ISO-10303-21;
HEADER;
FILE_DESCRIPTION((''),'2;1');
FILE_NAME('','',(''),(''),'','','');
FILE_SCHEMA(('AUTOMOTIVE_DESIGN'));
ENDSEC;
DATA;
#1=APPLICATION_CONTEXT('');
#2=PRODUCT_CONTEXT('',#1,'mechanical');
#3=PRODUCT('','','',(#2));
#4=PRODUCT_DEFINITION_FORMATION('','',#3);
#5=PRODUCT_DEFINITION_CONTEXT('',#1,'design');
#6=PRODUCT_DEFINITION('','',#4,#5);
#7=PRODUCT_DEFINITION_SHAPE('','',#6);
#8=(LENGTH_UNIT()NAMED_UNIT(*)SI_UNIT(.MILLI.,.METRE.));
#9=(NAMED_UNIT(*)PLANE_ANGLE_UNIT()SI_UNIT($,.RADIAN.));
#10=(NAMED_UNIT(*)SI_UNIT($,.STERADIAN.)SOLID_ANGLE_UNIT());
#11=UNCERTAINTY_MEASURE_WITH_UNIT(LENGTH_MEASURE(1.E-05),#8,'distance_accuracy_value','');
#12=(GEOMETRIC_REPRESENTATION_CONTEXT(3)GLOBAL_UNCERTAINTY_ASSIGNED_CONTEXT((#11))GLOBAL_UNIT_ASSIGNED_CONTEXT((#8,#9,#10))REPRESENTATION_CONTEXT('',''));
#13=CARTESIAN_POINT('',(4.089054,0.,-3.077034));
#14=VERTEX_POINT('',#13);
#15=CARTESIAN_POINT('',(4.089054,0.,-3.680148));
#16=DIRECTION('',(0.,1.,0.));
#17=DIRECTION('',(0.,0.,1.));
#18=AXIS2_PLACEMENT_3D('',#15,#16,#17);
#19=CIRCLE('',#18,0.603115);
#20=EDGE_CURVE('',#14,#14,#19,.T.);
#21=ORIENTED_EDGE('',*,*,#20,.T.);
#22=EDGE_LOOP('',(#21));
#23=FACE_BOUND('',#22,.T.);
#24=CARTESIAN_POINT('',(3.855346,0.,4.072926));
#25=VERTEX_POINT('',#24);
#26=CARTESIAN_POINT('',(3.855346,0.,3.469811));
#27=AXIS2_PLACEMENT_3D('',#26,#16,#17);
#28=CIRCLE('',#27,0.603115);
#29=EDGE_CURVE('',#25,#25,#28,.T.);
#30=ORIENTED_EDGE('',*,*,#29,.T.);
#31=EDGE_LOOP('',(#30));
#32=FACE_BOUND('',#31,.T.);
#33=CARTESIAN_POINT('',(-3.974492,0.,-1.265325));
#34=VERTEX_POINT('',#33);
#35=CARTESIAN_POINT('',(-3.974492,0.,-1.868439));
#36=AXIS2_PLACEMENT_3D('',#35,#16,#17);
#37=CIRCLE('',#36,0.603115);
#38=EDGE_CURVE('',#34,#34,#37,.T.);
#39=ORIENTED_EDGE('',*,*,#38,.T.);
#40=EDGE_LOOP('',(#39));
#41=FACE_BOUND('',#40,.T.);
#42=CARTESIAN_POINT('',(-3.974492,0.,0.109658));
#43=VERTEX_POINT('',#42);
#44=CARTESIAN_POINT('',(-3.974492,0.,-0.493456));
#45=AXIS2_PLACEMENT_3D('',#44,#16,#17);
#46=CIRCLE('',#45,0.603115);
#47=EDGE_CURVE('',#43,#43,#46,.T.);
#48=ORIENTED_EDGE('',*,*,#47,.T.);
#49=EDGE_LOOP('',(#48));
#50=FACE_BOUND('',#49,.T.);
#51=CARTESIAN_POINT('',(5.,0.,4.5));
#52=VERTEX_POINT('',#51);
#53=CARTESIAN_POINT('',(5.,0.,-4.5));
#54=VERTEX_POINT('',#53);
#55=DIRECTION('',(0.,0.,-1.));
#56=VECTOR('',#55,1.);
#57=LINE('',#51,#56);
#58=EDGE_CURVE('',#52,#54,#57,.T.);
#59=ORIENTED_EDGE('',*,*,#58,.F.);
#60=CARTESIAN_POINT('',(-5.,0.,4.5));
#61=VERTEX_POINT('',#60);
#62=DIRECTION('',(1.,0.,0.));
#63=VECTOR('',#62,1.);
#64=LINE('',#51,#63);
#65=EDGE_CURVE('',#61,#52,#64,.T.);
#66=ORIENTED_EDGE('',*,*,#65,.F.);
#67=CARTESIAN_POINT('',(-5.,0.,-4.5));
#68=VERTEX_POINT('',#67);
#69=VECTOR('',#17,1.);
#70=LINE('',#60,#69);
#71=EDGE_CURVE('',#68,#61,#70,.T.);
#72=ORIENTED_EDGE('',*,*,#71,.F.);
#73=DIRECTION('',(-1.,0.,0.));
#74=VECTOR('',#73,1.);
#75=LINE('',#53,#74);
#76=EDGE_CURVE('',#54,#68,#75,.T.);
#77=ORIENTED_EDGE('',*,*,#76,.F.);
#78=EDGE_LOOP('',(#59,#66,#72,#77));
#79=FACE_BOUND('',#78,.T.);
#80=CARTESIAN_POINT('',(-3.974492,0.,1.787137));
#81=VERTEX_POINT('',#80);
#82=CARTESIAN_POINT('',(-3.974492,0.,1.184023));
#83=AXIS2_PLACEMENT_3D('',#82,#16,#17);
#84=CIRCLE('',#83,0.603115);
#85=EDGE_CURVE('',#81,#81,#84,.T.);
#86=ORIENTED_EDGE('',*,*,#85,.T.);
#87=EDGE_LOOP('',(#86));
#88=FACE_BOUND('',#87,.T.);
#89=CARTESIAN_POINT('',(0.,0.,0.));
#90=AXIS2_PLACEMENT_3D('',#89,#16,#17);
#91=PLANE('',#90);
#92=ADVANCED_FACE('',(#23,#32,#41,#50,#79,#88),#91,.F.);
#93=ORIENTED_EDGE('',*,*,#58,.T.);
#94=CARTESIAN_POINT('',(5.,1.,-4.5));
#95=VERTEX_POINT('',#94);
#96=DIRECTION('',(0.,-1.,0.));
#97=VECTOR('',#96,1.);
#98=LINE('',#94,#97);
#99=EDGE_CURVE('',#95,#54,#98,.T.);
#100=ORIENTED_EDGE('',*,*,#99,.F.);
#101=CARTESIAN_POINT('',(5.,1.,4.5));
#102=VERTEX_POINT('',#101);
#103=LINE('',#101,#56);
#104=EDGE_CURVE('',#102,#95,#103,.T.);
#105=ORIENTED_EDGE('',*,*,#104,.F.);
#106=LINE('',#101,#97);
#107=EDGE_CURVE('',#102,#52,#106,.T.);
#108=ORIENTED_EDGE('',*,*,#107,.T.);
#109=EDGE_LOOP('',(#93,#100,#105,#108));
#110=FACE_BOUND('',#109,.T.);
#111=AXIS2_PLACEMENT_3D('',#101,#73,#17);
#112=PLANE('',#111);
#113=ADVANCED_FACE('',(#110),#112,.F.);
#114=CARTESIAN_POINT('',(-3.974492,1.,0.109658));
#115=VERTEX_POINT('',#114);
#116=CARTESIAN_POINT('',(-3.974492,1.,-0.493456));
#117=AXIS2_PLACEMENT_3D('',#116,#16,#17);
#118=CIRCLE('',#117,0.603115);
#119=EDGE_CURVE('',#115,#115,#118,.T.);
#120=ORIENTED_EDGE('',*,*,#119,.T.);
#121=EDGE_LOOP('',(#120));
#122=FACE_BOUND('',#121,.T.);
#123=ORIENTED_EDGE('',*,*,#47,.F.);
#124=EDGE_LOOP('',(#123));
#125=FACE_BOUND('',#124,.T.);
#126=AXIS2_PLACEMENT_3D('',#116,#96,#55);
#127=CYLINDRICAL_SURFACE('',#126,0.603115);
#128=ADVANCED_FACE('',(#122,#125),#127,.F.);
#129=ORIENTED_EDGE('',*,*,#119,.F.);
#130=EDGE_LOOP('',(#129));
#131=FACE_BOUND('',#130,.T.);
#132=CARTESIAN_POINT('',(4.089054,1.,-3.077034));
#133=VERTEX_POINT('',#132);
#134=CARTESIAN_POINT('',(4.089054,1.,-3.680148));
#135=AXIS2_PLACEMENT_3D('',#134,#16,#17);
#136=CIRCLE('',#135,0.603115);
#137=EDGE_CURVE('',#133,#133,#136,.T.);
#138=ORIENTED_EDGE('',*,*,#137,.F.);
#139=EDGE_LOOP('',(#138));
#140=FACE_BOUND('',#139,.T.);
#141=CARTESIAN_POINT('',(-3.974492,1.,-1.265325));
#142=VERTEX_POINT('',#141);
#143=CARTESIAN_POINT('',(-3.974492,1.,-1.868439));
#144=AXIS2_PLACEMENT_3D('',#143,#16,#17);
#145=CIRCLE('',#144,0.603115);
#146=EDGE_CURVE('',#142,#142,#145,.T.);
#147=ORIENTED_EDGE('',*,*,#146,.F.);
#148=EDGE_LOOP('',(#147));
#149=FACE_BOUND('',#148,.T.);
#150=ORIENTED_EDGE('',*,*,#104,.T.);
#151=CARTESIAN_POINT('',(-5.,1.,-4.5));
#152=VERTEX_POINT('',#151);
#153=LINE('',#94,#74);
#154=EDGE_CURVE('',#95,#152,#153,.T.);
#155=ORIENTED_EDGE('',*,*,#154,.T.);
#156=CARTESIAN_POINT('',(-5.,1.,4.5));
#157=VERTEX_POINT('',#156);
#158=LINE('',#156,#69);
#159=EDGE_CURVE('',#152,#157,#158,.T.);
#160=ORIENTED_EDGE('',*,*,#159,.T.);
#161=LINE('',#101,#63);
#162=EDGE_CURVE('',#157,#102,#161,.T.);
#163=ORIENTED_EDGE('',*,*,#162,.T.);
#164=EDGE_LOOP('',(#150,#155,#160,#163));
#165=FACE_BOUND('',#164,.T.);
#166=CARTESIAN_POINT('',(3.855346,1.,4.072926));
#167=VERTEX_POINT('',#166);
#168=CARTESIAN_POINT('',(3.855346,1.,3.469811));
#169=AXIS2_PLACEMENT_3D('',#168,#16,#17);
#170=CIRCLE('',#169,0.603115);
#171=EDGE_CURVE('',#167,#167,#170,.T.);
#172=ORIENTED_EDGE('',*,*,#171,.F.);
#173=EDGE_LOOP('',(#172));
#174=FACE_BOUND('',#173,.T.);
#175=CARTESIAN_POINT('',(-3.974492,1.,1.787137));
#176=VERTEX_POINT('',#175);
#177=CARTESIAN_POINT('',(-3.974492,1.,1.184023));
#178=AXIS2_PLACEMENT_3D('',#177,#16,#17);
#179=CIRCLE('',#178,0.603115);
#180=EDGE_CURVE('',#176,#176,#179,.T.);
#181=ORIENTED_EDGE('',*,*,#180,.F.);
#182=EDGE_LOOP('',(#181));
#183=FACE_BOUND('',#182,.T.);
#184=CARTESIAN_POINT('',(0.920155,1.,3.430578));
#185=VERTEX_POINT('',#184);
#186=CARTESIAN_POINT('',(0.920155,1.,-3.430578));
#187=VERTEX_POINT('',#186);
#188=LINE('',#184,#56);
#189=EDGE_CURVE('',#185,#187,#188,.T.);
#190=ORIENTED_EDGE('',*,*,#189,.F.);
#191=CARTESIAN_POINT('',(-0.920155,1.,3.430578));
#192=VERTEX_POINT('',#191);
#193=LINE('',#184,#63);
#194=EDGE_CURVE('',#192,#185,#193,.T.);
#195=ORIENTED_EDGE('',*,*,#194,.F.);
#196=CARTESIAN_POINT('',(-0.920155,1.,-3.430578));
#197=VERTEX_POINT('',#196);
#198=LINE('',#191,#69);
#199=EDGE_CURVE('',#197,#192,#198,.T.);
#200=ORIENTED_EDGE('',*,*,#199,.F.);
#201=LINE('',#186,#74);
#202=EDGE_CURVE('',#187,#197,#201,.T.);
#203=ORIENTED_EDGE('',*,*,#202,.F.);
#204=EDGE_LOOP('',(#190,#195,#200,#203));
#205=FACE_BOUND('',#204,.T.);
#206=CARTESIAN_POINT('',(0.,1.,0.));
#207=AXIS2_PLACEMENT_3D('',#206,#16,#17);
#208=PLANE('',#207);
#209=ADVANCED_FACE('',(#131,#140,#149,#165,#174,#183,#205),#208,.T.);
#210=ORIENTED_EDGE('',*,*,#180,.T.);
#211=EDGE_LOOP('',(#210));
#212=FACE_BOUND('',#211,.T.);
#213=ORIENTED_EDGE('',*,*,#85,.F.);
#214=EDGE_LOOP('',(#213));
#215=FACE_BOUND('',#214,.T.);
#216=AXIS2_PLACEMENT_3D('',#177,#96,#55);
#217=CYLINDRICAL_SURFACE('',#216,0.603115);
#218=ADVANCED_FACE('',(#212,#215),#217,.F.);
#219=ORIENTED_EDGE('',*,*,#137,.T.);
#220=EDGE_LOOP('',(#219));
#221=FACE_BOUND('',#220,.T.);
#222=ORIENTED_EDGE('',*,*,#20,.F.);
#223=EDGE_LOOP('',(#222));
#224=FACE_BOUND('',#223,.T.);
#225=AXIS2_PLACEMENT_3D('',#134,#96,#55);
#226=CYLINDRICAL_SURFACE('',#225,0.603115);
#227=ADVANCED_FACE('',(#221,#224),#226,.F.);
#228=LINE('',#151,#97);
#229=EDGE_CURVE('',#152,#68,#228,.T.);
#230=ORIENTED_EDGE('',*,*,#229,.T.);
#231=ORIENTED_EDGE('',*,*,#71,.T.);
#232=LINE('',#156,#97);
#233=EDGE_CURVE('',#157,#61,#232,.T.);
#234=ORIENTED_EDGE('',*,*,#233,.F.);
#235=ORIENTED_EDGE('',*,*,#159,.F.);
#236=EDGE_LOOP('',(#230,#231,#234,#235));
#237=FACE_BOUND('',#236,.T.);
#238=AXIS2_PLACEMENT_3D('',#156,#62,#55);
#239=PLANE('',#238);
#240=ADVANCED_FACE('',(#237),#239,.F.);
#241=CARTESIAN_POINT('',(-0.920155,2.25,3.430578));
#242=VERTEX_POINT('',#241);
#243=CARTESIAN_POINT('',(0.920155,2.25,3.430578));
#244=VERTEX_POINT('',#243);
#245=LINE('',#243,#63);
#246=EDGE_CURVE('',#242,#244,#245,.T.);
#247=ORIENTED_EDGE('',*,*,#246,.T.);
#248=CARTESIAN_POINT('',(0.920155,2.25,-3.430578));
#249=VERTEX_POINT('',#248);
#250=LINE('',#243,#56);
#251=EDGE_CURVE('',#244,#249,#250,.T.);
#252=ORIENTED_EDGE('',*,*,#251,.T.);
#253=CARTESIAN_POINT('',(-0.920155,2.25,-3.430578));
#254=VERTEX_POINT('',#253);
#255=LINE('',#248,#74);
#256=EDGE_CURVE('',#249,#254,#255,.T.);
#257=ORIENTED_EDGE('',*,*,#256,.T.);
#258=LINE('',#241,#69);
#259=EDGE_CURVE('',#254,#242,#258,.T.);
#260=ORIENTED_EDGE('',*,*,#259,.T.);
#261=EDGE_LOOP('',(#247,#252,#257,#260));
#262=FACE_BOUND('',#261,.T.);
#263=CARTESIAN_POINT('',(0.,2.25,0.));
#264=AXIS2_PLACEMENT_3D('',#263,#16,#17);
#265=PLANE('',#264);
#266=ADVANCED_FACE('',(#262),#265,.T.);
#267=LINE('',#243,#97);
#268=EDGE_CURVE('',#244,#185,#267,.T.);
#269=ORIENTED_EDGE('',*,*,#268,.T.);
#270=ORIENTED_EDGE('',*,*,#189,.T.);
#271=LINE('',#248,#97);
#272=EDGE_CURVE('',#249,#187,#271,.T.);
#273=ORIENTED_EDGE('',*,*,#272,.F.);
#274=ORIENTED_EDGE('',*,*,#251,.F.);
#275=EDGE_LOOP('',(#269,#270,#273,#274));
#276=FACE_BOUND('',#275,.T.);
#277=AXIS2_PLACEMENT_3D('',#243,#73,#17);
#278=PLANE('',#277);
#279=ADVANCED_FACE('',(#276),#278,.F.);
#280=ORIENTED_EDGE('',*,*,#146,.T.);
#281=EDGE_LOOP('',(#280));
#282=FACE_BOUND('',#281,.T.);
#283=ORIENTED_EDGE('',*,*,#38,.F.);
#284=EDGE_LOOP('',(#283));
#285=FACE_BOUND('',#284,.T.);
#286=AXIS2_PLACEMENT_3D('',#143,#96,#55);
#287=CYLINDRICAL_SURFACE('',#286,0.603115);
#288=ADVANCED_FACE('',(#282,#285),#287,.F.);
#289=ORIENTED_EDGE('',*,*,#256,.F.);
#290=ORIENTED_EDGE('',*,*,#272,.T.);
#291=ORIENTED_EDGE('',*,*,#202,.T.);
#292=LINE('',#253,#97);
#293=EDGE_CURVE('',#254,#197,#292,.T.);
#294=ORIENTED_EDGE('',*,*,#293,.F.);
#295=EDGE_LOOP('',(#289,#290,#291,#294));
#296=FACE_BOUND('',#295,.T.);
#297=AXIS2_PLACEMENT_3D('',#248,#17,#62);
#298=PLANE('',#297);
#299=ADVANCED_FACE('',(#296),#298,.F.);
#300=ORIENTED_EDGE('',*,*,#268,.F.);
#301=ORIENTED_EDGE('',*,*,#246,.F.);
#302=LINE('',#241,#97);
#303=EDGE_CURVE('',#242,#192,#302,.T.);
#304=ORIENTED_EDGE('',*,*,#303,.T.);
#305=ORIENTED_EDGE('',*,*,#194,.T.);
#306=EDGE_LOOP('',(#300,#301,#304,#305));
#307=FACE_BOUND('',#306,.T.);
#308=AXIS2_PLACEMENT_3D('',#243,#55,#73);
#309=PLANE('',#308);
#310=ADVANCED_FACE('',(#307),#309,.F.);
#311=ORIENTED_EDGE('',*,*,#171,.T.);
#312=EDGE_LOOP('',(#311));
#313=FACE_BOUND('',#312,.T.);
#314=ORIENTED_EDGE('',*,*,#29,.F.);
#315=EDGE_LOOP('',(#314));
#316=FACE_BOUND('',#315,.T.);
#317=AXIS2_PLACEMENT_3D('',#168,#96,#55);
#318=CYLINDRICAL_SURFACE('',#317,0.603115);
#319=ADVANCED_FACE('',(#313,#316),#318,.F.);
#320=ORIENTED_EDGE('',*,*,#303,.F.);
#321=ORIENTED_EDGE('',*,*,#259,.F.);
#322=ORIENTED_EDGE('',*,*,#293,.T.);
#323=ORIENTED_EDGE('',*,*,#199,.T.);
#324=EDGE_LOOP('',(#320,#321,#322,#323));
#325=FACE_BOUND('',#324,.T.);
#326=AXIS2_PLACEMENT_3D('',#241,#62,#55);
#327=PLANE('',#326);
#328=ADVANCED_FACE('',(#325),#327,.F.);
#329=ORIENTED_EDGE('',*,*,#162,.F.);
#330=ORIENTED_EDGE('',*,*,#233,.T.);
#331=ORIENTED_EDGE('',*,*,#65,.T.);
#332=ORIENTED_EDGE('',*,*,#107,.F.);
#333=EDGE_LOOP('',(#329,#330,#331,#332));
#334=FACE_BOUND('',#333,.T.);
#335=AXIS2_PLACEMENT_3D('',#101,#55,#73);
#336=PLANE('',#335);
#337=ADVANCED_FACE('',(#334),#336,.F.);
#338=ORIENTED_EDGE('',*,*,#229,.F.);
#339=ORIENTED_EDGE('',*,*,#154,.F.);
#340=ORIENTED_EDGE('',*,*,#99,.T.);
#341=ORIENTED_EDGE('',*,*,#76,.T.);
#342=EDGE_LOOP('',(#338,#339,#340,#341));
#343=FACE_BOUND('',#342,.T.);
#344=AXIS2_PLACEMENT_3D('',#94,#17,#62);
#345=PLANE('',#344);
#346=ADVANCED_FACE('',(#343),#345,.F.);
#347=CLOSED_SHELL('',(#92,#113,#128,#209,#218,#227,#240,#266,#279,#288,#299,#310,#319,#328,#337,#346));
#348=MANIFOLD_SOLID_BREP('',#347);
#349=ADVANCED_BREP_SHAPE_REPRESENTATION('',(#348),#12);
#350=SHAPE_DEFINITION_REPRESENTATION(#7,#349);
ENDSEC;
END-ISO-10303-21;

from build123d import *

# Parameters (mm, degrees)
SKETCH1_W           = 10
SKETCH1_H           = 9
SKETCH1_R           = 0.603114575
BOSS_EXTRUDE1_DEPTH = 1
SKETCH2_W           = 1.840309862
SKETCH2_H           = 6.861155246
BOSS_EXTRUDE2_DEPTH = 1.25


with BuildPart() as part:
    # Sketch1 → Boss-Extrude1 (new body)
    with BuildSketch(Plane(origin=(0, 0, 0), x_dir=(1, 0, 0), z_dir=(0, 1, 0))):
        Rectangle(SKETCH1_W, SKETCH1_H)
        with Locations(Location((-3.974491731, -1.184022837, 0), (0, 0, 270))):
            Circle(SKETCH1_R, mode=Mode.SUBTRACT)
        with Locations(Location((-3.974491731, 0.493456275, 0), (0, 0, 270))):
            Circle(SKETCH1_R, mode=Mode.SUBTRACT)
        with Locations(Location((-3.974491731, 1.868439153, 0), (0, 0, 270))):
            Circle(SKETCH1_R, mode=Mode.SUBTRACT)
        with Locations(Location((4.08905372, 3.680148348, 0), (0, 0, 270))):
            Circle(SKETCH1_R, mode=Mode.SUBTRACT)
        with Locations(Location((3.855346006, -3.469811406, 0), (0, 0, 270))):
            Circle(SKETCH1_R, mode=Mode.SUBTRACT)
    extrude(amount=BOSS_EXTRUDE1_DEPTH)

    # Sketch2 → Boss-Extrude2 (add)
    with BuildSketch(Plane(origin=(0, 1, 0), x_dir=(1, 0, 0), z_dir=(0, 1, 0))):
        Rectangle(SKETCH2_W, SKETCH2_H)
    extrude(amount=BOSS_EXTRUDE2_DEPTH)


solid = part.part
